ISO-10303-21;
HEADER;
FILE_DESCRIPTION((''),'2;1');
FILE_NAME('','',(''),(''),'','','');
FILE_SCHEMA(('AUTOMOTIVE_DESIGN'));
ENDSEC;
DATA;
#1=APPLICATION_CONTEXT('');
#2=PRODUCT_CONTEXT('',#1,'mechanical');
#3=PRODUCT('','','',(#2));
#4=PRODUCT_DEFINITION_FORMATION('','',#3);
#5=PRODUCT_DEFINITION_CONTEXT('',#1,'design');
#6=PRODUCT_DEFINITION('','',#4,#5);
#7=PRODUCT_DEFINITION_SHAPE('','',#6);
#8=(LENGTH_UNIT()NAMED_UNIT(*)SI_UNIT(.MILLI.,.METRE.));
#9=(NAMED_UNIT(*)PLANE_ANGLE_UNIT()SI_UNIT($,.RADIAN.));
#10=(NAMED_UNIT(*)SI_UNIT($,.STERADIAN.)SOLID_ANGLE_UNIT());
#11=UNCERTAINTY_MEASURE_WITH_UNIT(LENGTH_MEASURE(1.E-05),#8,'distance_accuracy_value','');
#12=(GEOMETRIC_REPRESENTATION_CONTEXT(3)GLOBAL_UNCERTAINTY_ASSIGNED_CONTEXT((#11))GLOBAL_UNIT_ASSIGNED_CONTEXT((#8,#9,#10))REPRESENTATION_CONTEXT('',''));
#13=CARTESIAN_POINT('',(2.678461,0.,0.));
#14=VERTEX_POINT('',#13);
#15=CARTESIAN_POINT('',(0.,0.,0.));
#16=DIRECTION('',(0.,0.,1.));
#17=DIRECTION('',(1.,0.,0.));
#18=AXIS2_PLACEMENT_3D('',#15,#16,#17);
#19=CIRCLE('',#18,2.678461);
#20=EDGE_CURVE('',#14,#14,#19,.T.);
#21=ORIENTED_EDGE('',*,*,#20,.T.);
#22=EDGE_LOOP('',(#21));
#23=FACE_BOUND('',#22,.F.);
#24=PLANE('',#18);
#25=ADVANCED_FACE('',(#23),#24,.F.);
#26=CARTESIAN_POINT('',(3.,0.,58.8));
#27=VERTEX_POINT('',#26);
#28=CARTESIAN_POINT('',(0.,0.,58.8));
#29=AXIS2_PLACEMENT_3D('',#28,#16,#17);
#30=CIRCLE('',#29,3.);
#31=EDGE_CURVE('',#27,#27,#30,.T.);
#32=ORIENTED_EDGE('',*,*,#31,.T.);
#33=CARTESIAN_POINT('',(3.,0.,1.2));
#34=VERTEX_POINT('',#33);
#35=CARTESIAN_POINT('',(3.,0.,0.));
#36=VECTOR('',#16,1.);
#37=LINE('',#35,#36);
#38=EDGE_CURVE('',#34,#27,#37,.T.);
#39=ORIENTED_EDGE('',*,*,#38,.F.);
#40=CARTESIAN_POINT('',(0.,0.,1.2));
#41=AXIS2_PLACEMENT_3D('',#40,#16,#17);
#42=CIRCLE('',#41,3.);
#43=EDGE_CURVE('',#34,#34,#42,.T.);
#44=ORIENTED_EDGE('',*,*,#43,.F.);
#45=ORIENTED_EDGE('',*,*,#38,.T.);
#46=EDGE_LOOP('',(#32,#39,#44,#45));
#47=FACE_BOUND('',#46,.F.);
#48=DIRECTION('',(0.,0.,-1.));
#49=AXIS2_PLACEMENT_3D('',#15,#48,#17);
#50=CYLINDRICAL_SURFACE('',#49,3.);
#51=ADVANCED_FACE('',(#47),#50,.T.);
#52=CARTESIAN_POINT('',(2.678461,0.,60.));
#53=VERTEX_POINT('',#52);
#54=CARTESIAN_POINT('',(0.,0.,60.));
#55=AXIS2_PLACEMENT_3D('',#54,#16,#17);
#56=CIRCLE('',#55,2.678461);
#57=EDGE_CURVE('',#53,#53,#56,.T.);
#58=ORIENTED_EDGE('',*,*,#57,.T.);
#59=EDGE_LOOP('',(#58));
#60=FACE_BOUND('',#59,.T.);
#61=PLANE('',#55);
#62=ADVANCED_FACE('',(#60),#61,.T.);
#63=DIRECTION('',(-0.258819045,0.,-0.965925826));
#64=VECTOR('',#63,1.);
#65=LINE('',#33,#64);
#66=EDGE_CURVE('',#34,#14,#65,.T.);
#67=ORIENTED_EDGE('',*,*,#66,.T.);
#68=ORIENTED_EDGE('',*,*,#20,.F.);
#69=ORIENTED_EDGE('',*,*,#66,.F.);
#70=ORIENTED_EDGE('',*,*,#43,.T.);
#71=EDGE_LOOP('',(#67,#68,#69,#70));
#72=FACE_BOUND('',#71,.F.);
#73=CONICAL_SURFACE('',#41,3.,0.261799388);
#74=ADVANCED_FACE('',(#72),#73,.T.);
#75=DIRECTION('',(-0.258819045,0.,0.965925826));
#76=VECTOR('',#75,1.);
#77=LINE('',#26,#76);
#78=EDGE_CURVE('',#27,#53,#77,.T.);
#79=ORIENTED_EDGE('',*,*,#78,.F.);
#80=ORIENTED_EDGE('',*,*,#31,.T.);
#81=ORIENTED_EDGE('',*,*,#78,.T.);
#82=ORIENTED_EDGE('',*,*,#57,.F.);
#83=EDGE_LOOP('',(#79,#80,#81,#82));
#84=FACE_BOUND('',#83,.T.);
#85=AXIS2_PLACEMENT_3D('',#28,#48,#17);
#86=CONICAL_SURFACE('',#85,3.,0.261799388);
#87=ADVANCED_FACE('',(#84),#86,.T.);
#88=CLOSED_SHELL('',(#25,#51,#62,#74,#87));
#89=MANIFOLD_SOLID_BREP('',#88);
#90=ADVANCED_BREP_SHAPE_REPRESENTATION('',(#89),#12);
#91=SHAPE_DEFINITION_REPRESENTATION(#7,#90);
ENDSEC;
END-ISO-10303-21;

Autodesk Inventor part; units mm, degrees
ref_plane "YZ Plane" through (0, 0, 0) normal (1, 0, 0) x (0, 1, 0)
ref_plane "XZ Plane" through (0, 0, 0) normal (0, 1, 0) x (-1, 0, 0)
ref_plane "XY Plane" through (0, 0, 0) normal (0, 0, 1) x (1, 0, 0)
sketch "スケッチ1" plane through (0, 0, 0) normal (0, 0, 1) x (1, 0, 0)
  circle A0 centre (0, 0) radius 3
  dimension "d0" = 6
extrude "押し出し1" add sketch "スケッチ1" along normal blind 60
chamfer "面取り1" distance 1.2 angle 15 2 edges at (-3, 0, 60) (-3, 0, 0) measured on face at (2.9903, -0.2414, 40)
properties part number "平行ピンΦ6.60" material "鋼、高強度、低合金"
